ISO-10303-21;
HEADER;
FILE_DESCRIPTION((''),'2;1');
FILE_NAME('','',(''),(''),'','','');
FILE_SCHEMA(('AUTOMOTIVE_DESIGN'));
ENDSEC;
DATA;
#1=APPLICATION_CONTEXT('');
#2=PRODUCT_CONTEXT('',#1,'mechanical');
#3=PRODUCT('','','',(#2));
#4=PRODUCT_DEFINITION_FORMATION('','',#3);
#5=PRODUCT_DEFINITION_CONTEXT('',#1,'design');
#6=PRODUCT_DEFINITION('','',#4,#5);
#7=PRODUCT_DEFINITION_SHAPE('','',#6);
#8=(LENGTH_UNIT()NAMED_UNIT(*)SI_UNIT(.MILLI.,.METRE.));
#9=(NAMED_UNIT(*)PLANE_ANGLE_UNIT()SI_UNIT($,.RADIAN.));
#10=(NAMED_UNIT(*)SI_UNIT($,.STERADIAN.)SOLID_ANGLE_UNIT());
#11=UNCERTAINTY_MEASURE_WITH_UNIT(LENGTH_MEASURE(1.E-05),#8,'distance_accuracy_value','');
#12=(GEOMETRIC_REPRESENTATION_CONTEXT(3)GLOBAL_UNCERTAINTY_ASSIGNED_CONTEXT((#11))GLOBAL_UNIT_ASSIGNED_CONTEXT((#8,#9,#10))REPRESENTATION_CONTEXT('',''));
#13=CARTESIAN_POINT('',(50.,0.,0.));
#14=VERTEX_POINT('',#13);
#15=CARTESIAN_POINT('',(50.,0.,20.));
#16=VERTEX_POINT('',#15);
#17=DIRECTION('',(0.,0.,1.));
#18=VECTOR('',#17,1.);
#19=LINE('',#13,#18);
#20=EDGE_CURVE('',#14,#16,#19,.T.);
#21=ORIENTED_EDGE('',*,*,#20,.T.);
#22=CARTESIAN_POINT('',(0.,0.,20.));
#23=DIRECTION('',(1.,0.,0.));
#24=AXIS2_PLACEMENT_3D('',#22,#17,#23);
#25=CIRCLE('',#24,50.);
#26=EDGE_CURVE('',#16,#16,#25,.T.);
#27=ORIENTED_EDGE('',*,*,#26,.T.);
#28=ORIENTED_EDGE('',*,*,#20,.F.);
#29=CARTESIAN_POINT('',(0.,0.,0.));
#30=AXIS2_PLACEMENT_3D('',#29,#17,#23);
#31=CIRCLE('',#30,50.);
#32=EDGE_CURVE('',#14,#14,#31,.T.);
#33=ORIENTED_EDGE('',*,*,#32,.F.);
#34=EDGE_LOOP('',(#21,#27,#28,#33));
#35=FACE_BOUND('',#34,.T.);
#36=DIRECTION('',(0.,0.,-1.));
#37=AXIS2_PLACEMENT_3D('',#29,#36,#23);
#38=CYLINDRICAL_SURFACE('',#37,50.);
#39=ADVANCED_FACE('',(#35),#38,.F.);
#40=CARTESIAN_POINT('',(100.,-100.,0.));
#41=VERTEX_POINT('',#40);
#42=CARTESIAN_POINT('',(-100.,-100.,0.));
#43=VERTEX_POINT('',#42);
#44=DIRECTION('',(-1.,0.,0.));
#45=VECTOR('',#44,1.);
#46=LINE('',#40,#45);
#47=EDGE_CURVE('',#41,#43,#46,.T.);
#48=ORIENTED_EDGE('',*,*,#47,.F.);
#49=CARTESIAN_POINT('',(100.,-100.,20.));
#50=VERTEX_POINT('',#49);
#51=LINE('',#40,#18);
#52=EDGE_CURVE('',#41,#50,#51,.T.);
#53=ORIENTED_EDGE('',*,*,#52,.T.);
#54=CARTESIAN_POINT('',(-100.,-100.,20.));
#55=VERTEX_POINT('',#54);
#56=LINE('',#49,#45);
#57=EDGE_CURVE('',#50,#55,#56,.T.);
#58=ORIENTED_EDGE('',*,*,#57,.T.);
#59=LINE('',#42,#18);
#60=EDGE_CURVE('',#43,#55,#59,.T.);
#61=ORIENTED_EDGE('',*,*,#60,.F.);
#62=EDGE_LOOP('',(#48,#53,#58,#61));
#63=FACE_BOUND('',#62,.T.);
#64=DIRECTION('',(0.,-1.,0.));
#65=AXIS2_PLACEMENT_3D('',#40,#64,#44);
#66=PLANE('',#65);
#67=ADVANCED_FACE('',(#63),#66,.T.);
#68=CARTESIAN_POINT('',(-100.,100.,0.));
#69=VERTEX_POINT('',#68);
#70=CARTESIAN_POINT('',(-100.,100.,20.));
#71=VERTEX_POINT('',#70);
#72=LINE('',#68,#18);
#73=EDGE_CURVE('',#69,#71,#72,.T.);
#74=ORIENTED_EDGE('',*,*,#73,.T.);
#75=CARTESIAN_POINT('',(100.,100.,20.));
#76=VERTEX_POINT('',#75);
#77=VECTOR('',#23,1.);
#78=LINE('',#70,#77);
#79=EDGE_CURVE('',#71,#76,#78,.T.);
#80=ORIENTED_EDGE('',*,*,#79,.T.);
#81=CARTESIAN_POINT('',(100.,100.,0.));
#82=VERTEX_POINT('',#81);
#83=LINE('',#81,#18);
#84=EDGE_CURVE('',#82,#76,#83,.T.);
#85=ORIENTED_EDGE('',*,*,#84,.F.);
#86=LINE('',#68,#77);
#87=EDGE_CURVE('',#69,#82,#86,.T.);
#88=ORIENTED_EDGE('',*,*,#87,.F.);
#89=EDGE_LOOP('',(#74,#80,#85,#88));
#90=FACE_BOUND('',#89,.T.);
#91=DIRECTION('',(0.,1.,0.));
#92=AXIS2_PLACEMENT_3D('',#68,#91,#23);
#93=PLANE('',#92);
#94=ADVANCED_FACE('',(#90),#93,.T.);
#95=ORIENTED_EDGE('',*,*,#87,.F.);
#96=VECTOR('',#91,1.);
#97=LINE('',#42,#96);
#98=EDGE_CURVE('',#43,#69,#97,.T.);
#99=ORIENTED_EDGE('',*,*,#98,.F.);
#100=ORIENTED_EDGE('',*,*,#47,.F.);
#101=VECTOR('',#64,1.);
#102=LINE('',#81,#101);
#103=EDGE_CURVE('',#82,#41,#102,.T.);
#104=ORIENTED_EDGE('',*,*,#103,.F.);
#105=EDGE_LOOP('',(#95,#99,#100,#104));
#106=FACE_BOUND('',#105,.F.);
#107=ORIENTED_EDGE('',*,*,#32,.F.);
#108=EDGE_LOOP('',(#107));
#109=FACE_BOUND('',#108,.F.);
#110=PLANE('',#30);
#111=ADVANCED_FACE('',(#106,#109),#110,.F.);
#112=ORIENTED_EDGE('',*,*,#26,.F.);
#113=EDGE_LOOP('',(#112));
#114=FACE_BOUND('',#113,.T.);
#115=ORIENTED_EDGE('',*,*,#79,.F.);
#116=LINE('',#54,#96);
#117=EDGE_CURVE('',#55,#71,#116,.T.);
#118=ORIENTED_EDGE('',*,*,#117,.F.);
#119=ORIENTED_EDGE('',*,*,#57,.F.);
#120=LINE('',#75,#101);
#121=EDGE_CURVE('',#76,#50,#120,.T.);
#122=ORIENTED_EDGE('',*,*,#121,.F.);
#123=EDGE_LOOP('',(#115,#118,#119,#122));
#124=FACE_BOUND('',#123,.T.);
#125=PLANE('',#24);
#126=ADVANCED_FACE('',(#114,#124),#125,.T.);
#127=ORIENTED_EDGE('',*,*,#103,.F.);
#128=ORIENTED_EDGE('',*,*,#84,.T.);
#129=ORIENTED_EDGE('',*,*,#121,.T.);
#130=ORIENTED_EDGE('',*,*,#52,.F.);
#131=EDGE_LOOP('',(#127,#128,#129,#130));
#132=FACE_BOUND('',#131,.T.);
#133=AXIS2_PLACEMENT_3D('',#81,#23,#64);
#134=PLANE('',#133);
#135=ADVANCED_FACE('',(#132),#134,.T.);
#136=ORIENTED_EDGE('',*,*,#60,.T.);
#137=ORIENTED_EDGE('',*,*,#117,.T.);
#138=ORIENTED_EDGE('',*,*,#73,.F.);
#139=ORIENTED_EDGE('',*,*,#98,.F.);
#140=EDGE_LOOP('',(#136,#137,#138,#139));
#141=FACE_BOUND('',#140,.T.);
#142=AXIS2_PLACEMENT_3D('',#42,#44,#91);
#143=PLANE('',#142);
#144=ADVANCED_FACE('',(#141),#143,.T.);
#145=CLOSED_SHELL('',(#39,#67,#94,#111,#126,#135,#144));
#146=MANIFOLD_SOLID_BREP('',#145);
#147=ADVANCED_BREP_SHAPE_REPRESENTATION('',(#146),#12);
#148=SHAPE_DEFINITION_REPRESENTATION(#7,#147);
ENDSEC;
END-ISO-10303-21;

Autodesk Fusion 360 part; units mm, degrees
sketch "Sketch1" plane through (0, 0, 0) normal (0, 0, 1) x (1, 0, 0) in component "Washer"
  line L0 (100, -100) -> (-100, -100)
  line L1 (-100, -100) -> (-100, 100)
  line L2 (-100, 100) -> (100, 100)
  line L3 (100, 100) -> (100, -100)
  line L4 (100, -100) -> (-100, 100) construction
  line L5 (-100, -100) -> (100, 100) construction
  circle A0 centre (0, 0) radius 50
  dimension "d1" = 200
  dimension "d2" = 100
extrude "Extrude1" add sketch "Sketch1" along normal blind 20 in component "Washer"
component "Washer" placed x (1, 0, 0) y (0, 1, 0) z (0, 0, 1) at (0, 0, 0)
equation "d2 = d1 * 0.5"
